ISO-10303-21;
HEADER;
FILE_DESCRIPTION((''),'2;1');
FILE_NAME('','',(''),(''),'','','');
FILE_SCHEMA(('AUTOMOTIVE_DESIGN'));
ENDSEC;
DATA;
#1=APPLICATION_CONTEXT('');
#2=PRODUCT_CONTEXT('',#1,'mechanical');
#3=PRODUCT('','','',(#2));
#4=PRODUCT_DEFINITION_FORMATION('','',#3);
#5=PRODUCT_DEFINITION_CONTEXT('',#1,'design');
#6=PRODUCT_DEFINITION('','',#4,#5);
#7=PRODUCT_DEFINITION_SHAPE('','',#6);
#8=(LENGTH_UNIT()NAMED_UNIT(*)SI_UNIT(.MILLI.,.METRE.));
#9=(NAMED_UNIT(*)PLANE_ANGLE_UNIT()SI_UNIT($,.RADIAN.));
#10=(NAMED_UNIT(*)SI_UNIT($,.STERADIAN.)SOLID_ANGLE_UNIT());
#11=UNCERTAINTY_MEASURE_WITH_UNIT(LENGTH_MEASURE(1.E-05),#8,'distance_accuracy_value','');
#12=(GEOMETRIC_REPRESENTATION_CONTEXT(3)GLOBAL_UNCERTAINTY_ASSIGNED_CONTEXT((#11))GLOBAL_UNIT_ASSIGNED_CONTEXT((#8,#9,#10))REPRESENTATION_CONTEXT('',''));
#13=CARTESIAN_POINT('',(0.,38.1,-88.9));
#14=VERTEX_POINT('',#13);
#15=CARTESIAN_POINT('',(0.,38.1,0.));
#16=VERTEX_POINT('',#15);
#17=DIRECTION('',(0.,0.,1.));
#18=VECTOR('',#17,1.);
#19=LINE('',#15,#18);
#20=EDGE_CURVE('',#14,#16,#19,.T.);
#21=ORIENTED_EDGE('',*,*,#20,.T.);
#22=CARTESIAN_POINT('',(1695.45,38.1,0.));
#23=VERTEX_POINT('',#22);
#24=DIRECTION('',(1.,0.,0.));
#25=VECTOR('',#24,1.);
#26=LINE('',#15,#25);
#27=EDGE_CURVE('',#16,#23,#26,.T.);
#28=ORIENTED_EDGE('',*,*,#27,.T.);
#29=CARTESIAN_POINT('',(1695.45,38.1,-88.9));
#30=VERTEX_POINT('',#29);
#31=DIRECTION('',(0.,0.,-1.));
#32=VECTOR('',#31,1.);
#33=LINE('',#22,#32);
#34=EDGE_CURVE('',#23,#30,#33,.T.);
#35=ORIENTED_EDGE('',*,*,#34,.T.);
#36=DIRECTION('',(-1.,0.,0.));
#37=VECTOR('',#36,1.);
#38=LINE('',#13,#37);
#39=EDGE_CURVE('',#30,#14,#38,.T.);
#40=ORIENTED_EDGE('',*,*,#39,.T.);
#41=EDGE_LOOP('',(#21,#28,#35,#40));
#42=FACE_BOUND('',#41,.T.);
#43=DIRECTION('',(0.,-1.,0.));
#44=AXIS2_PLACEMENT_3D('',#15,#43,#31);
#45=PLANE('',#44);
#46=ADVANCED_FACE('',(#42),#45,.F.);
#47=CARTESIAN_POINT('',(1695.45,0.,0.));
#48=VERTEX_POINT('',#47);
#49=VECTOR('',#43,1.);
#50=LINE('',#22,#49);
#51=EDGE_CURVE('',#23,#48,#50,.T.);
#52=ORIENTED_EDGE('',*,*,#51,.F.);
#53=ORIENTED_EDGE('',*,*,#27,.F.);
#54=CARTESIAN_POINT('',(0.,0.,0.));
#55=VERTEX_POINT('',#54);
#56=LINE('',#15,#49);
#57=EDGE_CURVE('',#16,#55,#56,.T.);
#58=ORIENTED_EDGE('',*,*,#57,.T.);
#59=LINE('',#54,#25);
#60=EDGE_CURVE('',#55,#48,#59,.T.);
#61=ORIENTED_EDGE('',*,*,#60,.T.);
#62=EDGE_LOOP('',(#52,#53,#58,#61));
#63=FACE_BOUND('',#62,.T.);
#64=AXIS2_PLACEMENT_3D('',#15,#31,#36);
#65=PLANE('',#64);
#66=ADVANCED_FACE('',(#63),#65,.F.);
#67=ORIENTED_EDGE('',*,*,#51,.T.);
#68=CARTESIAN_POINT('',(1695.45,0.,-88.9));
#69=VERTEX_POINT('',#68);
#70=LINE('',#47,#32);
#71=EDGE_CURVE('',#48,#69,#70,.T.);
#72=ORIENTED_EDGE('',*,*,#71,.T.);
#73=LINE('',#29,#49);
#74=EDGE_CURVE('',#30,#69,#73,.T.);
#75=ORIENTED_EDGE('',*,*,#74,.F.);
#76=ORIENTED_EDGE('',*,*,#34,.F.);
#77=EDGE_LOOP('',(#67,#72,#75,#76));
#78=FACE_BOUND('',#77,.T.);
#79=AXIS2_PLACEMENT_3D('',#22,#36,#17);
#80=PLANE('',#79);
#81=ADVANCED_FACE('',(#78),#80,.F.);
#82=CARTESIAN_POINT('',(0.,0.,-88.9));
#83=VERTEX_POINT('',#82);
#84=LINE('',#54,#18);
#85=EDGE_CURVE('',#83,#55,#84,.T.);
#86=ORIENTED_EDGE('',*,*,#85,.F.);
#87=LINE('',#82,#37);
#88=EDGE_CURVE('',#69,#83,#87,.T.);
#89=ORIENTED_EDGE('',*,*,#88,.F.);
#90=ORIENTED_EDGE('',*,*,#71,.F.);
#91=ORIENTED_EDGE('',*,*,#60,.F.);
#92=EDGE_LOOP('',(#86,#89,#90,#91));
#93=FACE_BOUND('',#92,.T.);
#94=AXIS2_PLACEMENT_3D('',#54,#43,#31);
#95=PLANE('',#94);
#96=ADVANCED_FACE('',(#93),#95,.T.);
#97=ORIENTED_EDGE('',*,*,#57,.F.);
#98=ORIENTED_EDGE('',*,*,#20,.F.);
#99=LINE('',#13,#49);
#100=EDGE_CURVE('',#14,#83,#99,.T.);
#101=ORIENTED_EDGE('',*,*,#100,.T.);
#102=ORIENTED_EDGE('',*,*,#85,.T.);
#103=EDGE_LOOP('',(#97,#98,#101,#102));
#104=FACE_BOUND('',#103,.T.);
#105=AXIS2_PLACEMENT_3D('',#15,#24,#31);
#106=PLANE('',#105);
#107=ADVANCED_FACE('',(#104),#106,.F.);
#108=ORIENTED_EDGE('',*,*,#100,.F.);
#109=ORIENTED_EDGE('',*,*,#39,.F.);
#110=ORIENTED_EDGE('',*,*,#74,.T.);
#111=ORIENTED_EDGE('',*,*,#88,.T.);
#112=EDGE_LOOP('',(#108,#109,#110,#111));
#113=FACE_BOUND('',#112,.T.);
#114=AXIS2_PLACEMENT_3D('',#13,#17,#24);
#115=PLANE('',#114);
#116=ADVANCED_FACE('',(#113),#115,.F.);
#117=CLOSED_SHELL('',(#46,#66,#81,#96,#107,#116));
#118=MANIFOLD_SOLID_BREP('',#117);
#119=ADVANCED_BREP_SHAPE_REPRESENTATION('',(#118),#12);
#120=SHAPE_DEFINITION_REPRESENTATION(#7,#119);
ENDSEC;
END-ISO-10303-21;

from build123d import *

# Parameters (mm, degrees)
SKETCH1_W           = 1695.45
SKETCH1_H           = 88.9
BOSS_EXTRUDE1_DEPTH = 38.1


with BuildPart() as part:
    # Sketch1 → Boss-Extrude1 (new body)
    with BuildSketch(Plane(origin=(0, 0, 0), x_dir=(1, 0, 0), z_dir=(0, 1, 0))):
        with Locations((847.725, 44.45)):
            Rectangle(SKETCH1_W, SKETCH1_H)
    extrude(amount=BOSS_EXTRUDE1_DEPTH)


solid = part.part
